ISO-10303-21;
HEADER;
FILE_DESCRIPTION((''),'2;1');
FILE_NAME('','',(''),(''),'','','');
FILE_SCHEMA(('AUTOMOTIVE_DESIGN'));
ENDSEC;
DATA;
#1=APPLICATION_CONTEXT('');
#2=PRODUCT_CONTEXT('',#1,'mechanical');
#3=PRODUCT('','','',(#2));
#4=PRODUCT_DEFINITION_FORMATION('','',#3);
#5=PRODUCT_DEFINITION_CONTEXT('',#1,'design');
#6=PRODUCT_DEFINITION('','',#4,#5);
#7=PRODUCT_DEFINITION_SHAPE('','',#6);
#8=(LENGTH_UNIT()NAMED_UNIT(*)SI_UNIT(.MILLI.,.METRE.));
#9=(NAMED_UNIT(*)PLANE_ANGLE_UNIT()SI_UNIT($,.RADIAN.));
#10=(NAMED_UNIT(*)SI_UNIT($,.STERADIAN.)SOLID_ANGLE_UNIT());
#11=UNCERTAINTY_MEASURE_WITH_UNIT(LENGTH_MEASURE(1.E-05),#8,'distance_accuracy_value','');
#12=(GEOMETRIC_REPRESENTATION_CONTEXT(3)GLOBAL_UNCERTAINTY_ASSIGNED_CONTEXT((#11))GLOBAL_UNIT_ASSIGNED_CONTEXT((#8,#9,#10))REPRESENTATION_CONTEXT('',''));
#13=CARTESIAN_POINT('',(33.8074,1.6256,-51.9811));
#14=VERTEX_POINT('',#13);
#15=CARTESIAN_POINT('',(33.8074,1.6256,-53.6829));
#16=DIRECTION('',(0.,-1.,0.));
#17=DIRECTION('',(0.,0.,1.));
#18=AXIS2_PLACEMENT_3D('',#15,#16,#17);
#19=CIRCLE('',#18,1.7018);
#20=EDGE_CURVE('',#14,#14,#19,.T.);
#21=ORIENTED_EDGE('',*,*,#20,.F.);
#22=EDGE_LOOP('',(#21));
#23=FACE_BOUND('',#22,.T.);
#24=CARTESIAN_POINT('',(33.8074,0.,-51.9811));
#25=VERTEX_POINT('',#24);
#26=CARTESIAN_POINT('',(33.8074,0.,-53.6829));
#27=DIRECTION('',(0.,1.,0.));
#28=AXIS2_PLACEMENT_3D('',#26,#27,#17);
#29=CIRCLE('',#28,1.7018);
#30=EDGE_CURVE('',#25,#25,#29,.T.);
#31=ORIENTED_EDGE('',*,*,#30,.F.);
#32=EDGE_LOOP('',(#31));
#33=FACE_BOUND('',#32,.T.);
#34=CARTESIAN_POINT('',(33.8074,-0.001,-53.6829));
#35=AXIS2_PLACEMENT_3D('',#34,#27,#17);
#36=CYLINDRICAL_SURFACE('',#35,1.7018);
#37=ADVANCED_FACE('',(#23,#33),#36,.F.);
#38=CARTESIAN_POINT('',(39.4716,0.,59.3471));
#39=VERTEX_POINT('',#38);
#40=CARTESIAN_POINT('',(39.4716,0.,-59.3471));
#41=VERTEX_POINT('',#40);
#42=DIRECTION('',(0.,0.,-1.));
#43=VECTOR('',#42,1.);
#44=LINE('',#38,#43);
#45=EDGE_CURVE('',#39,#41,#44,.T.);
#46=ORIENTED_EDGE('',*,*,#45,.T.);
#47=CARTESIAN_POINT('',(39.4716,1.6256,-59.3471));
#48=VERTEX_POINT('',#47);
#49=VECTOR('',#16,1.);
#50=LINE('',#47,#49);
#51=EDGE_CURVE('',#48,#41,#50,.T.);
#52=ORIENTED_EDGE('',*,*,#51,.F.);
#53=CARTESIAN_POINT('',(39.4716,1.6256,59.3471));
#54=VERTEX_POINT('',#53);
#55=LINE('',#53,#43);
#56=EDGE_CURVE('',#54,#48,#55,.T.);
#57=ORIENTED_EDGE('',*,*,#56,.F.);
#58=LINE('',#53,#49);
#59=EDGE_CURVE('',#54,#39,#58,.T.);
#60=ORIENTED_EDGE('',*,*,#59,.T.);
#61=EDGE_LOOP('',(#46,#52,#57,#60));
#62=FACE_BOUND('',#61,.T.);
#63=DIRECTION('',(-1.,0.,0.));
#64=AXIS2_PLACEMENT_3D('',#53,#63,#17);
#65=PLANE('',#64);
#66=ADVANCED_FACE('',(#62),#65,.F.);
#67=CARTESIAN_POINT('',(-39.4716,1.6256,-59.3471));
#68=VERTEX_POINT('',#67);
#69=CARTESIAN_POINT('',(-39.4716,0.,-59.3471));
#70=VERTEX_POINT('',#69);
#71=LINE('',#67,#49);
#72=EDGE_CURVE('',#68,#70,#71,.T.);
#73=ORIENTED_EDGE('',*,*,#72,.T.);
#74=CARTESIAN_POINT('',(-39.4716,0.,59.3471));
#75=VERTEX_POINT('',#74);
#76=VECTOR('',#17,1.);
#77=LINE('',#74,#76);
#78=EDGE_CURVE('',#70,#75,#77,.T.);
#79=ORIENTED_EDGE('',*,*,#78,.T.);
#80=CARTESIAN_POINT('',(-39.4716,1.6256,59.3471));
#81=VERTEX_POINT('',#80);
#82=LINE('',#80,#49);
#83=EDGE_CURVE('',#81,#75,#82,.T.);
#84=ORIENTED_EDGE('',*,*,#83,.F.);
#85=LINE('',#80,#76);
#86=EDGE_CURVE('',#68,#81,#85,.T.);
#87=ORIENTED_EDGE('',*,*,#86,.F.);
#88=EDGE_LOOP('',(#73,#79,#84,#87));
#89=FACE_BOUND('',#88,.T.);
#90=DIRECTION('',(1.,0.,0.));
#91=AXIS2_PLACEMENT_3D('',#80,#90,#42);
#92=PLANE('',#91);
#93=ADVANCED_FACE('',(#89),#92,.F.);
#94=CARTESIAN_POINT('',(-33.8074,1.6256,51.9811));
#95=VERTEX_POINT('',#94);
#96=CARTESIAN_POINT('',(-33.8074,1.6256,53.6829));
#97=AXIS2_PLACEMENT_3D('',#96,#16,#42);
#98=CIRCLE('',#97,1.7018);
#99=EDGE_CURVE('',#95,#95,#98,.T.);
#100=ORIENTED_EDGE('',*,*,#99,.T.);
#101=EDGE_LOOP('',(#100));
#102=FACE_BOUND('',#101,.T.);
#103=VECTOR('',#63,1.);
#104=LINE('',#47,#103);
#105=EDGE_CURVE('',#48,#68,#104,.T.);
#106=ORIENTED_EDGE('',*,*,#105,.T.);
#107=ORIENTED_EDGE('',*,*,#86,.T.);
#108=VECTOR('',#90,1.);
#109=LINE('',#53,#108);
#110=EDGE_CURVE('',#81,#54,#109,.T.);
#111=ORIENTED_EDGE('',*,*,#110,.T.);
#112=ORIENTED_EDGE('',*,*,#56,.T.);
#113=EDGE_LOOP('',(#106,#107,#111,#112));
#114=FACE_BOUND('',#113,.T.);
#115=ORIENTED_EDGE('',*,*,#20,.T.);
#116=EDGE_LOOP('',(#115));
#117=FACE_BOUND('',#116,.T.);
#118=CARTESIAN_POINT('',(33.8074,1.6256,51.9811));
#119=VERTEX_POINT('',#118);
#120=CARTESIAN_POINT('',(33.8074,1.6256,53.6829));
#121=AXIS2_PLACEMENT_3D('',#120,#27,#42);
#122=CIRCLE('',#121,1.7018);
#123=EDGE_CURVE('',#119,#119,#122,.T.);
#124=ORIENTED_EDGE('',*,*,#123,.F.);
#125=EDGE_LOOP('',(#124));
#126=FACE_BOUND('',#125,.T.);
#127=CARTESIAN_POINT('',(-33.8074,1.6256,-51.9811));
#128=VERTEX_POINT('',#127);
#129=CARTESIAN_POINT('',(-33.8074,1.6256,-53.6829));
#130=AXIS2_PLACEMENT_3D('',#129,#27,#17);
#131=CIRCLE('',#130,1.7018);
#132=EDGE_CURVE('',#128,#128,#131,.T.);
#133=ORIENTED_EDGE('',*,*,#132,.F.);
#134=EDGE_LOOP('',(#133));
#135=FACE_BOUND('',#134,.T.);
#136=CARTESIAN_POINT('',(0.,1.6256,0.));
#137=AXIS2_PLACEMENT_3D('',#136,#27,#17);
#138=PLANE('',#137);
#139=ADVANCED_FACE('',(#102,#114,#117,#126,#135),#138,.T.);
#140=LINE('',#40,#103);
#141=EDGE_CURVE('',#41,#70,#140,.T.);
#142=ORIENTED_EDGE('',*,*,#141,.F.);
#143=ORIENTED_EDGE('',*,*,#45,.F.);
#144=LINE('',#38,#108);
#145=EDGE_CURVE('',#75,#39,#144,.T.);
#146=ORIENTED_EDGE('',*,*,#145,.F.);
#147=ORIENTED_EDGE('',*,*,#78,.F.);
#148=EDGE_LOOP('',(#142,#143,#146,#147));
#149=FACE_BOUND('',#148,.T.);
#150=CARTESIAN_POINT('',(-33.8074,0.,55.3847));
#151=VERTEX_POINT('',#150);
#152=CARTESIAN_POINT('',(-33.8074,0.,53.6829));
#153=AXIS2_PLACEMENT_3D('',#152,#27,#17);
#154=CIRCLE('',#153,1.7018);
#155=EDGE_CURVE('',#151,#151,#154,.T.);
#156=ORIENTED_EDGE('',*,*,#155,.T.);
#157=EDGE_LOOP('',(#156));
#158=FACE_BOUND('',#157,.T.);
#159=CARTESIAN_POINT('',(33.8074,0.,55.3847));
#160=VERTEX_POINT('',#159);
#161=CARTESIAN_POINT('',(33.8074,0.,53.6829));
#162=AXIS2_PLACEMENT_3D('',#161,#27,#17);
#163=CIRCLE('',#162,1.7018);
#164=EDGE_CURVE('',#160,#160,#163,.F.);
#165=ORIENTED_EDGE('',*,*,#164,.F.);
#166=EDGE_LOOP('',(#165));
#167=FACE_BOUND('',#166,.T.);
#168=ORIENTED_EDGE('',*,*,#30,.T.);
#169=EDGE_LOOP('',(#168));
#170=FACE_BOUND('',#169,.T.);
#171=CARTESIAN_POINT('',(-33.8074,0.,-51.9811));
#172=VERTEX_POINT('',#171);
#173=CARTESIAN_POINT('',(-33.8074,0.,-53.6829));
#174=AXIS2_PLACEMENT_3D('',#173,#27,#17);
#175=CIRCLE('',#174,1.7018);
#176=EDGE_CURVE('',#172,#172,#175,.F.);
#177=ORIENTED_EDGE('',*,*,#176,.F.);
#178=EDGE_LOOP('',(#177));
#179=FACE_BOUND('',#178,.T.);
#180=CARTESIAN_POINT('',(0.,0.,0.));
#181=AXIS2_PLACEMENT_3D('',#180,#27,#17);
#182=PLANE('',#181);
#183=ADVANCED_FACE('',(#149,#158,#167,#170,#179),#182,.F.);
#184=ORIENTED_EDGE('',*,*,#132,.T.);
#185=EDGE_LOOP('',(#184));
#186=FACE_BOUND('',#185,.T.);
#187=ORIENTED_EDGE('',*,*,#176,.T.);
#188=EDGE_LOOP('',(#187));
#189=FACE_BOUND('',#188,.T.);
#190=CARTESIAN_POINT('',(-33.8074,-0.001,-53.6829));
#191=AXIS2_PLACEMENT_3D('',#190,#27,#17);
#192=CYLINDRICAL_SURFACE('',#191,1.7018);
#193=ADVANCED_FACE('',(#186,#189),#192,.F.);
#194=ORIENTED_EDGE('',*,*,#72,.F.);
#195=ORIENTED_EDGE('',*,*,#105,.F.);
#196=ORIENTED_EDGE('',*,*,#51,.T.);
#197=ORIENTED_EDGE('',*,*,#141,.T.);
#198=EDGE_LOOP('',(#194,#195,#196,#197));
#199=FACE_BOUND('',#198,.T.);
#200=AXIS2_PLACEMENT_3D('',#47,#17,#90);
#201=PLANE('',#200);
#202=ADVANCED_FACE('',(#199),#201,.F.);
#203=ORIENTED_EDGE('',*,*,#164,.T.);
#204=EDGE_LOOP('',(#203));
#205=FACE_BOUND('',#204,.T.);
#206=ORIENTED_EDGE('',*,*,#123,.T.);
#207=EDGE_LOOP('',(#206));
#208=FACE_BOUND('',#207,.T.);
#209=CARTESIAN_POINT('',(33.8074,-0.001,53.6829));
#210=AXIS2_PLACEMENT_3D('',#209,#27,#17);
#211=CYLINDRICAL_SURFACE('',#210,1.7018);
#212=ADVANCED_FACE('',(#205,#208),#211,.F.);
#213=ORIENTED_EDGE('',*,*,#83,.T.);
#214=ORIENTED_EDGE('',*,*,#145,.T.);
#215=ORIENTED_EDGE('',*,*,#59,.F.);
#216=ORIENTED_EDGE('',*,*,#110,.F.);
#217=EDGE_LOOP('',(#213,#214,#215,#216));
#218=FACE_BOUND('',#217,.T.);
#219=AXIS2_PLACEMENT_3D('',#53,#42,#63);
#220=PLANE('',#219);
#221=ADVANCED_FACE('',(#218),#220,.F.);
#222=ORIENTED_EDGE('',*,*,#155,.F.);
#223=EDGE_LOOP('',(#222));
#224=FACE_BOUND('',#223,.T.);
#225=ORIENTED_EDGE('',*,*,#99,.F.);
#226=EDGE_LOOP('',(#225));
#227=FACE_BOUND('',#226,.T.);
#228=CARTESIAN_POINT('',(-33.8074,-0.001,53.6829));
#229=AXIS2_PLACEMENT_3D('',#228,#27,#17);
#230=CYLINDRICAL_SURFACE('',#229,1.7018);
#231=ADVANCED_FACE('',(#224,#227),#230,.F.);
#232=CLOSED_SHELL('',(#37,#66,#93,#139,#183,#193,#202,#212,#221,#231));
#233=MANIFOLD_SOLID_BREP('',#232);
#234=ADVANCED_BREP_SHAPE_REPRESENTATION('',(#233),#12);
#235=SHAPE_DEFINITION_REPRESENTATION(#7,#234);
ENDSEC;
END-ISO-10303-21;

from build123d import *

# Parameters (mm, degrees)
SKETCH1_W               = 78.9432
SKETCH1_H               = 118.6942
BOSS_EXTRUDE1_DEPTH     = 1.6256
CUT_EXTRUDE1_REACH      = 73.293
SKETCH2_R               = 1.7018
MIRROR2_COPY_1_REACH    = 73.293
MIRROR2_COPY_1_SKETCH_R = 1.7018


with BuildPart() as part:
    # Sketch1 → Boss-Extrude1 (new body)
    with BuildSketch(Plane(origin=(0, 0, 0), x_dir=(1, 0, 0), z_dir=(0, 1, 0))):
        Rectangle(SKETCH1_W, SKETCH1_H)
    extrude(amount=BOSS_EXTRUDE1_DEPTH)

    # Sketch2 → Cut-Extrude1 (cut, up to next)
    with BuildSketch(Plane(origin=(0, 1.6256, 0), x_dir=(1, 0, 0), z_dir=(0, 1, 0)), mode=Mode.PRIVATE) as cut_extrude1_sk1:
        with Locations(Location((-33.8074, 53.6829, 0), (0, 0, 270))):
            Circle(SKETCH2_R)
    cut_extrude1_tool1 = extrude(cut_extrude1_sk1.sketch, amount=-CUT_EXTRUDE1_REACH, mode=Mode.PRIVATE) & part.part
    cut_extrude1 = cut_extrude1_tool1.solids().sort_by_distance((-33.8074, 1.6256, -53.6829))[0]
    add(cut_extrude1, mode=Mode.SUBTRACT)

    # Mirror1: Cut-Extrude1 across plane
    add(cut_extrude1.mirror(Plane(origin=(0, 0, 0), x_dir=(0, 0, 1), z_dir=(1, 0, 0))), mode=Mode.SUBTRACT)

    # Mirror2: Cut-Extrude1 across plane
    add(cut_extrude1.mirror(Plane.XY), mode=Mode.SUBTRACT)

    # Mirror2 copy 1 sketch → Mirror2 copy 1 (cut, up to next)
    with BuildSketch(Plane(origin=(0, 1.6256, 0), x_dir=(-1, 0, 0), z_dir=(0, 1, 0)), mode=Mode.PRIVATE) as mirror2_copy_1_sk1:
        with Locations(Location((-33.8074, 53.6829, 0), (0, 0, 270))):
            Circle(MIRROR2_COPY_1_SKETCH_R)
    mirror2_copy_1_tool1 = extrude(mirror2_copy_1_sk1.sketch, amount=-MIRROR2_COPY_1_REACH, mode=Mode.PRIVATE) & part.part
    add(mirror2_copy_1_tool1.solids().sort_by_distance((33.8074, 1.6256, 53.6829))[0], mode=Mode.SUBTRACT)


solid = part.part
